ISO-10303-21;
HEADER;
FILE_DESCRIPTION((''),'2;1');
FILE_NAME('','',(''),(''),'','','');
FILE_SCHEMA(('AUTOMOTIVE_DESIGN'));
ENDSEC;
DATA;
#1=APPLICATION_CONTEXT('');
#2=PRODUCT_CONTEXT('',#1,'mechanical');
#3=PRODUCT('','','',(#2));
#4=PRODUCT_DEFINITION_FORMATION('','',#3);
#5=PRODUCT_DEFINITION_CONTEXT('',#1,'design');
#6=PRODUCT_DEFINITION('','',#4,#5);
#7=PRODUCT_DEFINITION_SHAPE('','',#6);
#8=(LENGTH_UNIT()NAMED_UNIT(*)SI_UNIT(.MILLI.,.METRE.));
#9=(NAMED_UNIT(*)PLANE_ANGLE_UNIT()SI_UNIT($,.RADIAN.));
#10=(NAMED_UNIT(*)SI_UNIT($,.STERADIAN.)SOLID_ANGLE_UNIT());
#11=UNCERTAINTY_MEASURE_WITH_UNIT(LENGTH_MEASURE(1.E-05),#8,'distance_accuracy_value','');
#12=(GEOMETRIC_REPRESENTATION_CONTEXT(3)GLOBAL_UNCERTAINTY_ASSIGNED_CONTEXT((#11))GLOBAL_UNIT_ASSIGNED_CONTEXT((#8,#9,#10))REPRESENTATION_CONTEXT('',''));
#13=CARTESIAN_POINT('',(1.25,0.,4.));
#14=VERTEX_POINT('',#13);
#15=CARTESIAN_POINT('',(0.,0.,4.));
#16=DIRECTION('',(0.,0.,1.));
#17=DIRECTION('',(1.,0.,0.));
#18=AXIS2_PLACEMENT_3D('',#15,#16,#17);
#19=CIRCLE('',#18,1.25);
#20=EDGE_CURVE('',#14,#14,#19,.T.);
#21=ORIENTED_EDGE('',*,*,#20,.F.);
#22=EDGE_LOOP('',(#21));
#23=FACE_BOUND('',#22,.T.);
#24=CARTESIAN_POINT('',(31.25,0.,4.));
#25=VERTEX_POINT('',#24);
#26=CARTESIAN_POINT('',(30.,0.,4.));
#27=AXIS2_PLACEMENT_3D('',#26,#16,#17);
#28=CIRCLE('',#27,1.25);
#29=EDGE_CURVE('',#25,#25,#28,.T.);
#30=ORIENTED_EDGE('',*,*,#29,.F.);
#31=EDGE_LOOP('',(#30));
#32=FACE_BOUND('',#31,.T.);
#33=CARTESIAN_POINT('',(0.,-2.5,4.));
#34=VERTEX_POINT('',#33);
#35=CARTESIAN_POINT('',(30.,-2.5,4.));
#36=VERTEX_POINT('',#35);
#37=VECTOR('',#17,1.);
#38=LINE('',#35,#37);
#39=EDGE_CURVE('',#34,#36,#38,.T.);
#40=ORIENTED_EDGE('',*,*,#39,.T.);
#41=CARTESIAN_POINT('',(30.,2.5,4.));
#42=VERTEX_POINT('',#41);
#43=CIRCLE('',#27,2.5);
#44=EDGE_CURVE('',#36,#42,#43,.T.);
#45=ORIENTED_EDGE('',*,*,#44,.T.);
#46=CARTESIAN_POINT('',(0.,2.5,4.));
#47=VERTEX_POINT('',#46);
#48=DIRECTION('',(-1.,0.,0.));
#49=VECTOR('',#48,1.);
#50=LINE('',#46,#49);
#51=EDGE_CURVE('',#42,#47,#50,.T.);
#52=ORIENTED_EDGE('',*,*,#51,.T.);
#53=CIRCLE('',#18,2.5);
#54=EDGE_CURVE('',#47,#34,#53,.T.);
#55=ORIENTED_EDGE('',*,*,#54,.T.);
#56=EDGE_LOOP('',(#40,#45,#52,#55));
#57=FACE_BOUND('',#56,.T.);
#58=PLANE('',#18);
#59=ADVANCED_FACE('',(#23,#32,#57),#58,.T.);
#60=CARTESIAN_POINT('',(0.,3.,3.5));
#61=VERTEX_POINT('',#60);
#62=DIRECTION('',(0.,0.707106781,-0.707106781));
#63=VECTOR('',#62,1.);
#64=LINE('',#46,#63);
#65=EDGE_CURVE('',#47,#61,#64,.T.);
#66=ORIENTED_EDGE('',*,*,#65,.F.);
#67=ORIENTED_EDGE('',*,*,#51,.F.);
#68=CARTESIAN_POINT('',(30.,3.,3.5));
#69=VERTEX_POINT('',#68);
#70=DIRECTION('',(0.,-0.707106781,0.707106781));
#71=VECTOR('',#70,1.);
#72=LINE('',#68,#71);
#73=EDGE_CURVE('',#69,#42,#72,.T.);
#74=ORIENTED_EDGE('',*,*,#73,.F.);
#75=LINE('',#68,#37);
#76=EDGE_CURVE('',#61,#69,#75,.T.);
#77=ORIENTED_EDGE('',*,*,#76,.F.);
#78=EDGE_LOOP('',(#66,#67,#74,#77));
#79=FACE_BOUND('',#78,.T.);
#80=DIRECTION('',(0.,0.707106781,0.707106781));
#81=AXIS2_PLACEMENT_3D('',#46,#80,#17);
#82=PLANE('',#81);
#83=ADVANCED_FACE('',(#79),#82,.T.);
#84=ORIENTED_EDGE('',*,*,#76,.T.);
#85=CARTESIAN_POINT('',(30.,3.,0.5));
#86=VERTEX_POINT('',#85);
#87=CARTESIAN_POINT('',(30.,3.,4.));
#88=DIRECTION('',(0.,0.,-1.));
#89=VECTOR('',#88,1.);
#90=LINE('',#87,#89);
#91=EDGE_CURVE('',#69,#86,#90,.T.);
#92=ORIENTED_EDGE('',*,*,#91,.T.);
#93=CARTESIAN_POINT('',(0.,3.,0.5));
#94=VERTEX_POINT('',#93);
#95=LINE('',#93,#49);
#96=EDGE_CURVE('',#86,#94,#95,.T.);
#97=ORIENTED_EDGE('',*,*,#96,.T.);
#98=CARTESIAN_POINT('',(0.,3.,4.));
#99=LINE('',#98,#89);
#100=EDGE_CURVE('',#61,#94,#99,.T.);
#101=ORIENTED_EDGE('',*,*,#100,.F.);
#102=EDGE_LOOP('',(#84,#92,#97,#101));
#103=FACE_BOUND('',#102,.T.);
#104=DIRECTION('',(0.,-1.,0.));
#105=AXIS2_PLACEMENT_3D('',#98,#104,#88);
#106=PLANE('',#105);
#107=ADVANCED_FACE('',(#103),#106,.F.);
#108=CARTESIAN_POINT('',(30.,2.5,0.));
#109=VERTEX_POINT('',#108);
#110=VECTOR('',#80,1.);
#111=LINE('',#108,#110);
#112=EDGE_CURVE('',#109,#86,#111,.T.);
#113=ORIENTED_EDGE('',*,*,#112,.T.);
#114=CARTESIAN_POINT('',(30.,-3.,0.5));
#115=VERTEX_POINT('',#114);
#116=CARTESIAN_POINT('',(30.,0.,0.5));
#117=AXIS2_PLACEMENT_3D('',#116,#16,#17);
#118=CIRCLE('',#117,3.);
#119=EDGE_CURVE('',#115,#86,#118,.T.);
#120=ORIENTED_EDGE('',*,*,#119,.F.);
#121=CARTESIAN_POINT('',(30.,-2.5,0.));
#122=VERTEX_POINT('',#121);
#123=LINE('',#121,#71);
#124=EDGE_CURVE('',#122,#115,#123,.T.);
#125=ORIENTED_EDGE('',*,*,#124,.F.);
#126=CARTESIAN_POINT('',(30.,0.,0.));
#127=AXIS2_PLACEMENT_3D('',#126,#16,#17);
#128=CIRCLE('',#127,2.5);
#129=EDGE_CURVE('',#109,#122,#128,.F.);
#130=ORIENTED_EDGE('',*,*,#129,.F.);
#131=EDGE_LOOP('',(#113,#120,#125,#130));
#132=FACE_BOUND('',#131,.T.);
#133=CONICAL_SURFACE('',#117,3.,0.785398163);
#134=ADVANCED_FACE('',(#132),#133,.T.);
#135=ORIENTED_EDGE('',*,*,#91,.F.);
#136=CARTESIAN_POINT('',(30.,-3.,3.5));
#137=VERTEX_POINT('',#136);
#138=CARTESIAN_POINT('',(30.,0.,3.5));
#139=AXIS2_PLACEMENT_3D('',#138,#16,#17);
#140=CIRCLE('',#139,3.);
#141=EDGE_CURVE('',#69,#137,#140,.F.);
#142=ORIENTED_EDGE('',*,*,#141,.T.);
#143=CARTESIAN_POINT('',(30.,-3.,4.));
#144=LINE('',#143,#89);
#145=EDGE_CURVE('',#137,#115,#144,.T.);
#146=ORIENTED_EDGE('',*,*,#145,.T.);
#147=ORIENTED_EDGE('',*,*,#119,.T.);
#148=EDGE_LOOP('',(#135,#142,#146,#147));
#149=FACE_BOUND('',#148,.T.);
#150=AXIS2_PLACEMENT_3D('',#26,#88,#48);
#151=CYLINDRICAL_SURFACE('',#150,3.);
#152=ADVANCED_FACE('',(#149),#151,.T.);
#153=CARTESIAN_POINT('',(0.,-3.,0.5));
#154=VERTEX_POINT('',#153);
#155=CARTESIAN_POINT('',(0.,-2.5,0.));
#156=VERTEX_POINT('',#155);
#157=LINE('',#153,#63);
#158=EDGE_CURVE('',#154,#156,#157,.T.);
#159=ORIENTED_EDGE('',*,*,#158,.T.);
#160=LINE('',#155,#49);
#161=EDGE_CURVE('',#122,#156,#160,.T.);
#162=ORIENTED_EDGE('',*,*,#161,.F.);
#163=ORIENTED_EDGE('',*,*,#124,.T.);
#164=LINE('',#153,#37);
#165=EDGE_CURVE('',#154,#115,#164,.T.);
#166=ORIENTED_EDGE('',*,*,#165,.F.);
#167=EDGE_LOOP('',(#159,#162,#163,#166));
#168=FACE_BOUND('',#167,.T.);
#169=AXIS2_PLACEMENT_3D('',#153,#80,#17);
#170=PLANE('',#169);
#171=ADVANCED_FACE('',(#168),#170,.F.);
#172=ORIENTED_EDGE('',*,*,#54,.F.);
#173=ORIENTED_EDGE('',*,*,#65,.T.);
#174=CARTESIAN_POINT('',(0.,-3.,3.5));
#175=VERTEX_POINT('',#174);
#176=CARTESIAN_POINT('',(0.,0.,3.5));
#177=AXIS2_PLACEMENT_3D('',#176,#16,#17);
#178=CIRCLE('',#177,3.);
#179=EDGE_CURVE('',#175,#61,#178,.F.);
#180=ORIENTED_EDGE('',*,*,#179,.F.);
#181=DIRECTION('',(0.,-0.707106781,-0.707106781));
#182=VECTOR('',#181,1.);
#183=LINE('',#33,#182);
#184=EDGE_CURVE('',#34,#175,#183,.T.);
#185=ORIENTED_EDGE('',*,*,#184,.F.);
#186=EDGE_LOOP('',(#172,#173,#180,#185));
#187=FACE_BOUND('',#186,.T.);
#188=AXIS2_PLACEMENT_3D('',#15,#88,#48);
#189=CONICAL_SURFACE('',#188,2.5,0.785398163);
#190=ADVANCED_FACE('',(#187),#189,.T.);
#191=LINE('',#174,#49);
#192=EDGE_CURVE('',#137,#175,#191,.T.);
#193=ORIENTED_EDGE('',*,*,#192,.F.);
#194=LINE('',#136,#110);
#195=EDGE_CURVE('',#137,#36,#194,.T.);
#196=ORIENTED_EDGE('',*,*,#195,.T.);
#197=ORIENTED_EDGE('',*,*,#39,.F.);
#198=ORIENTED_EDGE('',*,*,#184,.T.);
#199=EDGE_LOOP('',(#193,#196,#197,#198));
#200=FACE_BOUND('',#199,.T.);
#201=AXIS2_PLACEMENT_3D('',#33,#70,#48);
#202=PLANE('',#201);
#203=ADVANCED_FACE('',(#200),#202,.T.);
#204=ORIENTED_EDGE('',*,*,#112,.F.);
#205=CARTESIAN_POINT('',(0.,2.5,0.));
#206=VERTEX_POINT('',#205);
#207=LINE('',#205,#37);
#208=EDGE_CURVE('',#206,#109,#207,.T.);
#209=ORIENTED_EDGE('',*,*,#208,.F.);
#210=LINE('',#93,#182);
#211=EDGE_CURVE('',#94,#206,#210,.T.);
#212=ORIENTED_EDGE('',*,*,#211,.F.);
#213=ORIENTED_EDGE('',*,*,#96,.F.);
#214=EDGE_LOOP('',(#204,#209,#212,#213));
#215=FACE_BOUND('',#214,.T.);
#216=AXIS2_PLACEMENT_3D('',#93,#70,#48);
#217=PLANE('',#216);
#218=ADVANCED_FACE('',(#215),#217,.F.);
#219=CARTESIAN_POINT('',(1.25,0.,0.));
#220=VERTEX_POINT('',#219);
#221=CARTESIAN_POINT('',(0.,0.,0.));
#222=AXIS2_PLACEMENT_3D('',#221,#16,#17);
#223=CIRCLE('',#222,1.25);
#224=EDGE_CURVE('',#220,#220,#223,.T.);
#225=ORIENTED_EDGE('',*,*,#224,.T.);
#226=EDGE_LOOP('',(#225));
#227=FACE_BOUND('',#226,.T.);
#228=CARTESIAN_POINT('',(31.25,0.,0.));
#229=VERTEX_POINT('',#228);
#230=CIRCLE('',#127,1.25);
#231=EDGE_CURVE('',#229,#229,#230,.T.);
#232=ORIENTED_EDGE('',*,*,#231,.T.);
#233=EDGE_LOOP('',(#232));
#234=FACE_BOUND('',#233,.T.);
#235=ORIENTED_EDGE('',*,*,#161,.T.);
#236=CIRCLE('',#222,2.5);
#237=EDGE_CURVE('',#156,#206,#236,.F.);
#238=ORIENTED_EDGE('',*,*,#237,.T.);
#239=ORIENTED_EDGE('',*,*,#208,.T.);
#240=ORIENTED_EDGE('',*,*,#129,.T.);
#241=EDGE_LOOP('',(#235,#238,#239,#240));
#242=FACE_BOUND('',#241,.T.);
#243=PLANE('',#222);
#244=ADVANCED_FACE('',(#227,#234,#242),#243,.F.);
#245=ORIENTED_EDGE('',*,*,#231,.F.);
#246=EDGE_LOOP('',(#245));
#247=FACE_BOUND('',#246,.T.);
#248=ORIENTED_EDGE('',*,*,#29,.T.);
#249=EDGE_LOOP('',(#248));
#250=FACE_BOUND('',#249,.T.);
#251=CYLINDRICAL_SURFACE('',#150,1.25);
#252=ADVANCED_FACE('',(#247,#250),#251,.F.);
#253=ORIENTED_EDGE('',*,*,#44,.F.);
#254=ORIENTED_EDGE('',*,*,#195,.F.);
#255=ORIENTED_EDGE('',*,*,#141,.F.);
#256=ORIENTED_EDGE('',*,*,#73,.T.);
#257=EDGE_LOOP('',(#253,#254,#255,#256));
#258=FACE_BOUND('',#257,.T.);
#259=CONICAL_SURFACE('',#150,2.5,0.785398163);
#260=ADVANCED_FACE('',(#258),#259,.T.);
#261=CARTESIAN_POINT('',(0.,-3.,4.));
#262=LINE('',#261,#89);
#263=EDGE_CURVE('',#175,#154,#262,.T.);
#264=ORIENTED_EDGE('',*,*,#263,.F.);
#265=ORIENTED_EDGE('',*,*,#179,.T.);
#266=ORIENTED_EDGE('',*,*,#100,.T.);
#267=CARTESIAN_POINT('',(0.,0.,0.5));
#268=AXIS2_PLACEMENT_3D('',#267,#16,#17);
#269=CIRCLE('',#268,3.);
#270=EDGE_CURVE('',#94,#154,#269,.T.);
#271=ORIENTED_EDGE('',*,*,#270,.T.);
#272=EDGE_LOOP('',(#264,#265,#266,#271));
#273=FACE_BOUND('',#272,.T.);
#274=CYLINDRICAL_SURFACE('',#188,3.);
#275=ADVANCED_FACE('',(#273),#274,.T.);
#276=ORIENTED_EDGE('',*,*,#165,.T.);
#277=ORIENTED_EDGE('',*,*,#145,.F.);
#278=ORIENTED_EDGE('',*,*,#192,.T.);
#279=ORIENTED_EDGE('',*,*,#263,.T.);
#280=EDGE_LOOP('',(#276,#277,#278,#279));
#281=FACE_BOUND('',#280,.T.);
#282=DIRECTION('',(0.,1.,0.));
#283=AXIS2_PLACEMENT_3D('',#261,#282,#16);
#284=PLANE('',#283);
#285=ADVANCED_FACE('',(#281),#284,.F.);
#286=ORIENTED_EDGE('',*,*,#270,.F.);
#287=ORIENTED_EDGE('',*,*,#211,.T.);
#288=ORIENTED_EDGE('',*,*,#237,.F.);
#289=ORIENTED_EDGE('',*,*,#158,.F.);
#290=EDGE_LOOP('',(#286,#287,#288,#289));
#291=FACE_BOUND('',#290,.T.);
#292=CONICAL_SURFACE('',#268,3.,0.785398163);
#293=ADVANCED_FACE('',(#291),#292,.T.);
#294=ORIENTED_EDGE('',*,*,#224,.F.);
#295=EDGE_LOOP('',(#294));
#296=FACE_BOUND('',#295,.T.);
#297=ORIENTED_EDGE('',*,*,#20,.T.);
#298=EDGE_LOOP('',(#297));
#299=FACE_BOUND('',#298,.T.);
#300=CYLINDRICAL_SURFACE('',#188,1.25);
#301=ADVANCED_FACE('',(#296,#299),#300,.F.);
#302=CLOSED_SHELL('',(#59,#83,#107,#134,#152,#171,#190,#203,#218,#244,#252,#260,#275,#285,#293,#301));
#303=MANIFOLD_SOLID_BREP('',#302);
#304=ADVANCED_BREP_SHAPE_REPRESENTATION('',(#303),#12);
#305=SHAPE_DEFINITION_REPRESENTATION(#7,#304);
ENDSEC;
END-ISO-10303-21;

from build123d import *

# Parameters (mm, degrees)
CROQUIS1_R              = 1.25
SALIENTE_EXTRUIR1_DEPTH = 4
CHAFL_N1_SIZE           = 0.5


with BuildPart() as part:
    # Croquis1 → Saliente-Extruir1 (new body)
    with BuildSketch(Plane.XY):
        with BuildLine():
            Line((0, 3), (30, 3))
            ThreePointArc((30, 3), (33, 0), (30, -3))
            Line((30, -3), (0, -3))
            ThreePointArc((0, -3), (-3, 0), (0, 3))
        make_face()
        with Locations((30, 0)):
            Circle(CROQUIS1_R, mode=Mode.SUBTRACT)
        Circle(CROQUIS1_R, mode=Mode.SUBTRACT)
    extrude(amount=SALIENTE_EXTRUIR1_DEPTH)

    # Chaflán1
    chafl_n1_edges = [part.edges().sort_by_distance(p)[0] for p in [
        (33, 0, 4),
        (15, 3, 4),
        (-3, 0, 4),
        (15, 3, 0),
        (33, 0, 0),
        (15, -3, 0),
        (-3, 0, 0),
        (15, -3, 4),
    ]]
    chamfer(chafl_n1_edges, length=CHAFL_N1_SIZE)


solid = part.part
